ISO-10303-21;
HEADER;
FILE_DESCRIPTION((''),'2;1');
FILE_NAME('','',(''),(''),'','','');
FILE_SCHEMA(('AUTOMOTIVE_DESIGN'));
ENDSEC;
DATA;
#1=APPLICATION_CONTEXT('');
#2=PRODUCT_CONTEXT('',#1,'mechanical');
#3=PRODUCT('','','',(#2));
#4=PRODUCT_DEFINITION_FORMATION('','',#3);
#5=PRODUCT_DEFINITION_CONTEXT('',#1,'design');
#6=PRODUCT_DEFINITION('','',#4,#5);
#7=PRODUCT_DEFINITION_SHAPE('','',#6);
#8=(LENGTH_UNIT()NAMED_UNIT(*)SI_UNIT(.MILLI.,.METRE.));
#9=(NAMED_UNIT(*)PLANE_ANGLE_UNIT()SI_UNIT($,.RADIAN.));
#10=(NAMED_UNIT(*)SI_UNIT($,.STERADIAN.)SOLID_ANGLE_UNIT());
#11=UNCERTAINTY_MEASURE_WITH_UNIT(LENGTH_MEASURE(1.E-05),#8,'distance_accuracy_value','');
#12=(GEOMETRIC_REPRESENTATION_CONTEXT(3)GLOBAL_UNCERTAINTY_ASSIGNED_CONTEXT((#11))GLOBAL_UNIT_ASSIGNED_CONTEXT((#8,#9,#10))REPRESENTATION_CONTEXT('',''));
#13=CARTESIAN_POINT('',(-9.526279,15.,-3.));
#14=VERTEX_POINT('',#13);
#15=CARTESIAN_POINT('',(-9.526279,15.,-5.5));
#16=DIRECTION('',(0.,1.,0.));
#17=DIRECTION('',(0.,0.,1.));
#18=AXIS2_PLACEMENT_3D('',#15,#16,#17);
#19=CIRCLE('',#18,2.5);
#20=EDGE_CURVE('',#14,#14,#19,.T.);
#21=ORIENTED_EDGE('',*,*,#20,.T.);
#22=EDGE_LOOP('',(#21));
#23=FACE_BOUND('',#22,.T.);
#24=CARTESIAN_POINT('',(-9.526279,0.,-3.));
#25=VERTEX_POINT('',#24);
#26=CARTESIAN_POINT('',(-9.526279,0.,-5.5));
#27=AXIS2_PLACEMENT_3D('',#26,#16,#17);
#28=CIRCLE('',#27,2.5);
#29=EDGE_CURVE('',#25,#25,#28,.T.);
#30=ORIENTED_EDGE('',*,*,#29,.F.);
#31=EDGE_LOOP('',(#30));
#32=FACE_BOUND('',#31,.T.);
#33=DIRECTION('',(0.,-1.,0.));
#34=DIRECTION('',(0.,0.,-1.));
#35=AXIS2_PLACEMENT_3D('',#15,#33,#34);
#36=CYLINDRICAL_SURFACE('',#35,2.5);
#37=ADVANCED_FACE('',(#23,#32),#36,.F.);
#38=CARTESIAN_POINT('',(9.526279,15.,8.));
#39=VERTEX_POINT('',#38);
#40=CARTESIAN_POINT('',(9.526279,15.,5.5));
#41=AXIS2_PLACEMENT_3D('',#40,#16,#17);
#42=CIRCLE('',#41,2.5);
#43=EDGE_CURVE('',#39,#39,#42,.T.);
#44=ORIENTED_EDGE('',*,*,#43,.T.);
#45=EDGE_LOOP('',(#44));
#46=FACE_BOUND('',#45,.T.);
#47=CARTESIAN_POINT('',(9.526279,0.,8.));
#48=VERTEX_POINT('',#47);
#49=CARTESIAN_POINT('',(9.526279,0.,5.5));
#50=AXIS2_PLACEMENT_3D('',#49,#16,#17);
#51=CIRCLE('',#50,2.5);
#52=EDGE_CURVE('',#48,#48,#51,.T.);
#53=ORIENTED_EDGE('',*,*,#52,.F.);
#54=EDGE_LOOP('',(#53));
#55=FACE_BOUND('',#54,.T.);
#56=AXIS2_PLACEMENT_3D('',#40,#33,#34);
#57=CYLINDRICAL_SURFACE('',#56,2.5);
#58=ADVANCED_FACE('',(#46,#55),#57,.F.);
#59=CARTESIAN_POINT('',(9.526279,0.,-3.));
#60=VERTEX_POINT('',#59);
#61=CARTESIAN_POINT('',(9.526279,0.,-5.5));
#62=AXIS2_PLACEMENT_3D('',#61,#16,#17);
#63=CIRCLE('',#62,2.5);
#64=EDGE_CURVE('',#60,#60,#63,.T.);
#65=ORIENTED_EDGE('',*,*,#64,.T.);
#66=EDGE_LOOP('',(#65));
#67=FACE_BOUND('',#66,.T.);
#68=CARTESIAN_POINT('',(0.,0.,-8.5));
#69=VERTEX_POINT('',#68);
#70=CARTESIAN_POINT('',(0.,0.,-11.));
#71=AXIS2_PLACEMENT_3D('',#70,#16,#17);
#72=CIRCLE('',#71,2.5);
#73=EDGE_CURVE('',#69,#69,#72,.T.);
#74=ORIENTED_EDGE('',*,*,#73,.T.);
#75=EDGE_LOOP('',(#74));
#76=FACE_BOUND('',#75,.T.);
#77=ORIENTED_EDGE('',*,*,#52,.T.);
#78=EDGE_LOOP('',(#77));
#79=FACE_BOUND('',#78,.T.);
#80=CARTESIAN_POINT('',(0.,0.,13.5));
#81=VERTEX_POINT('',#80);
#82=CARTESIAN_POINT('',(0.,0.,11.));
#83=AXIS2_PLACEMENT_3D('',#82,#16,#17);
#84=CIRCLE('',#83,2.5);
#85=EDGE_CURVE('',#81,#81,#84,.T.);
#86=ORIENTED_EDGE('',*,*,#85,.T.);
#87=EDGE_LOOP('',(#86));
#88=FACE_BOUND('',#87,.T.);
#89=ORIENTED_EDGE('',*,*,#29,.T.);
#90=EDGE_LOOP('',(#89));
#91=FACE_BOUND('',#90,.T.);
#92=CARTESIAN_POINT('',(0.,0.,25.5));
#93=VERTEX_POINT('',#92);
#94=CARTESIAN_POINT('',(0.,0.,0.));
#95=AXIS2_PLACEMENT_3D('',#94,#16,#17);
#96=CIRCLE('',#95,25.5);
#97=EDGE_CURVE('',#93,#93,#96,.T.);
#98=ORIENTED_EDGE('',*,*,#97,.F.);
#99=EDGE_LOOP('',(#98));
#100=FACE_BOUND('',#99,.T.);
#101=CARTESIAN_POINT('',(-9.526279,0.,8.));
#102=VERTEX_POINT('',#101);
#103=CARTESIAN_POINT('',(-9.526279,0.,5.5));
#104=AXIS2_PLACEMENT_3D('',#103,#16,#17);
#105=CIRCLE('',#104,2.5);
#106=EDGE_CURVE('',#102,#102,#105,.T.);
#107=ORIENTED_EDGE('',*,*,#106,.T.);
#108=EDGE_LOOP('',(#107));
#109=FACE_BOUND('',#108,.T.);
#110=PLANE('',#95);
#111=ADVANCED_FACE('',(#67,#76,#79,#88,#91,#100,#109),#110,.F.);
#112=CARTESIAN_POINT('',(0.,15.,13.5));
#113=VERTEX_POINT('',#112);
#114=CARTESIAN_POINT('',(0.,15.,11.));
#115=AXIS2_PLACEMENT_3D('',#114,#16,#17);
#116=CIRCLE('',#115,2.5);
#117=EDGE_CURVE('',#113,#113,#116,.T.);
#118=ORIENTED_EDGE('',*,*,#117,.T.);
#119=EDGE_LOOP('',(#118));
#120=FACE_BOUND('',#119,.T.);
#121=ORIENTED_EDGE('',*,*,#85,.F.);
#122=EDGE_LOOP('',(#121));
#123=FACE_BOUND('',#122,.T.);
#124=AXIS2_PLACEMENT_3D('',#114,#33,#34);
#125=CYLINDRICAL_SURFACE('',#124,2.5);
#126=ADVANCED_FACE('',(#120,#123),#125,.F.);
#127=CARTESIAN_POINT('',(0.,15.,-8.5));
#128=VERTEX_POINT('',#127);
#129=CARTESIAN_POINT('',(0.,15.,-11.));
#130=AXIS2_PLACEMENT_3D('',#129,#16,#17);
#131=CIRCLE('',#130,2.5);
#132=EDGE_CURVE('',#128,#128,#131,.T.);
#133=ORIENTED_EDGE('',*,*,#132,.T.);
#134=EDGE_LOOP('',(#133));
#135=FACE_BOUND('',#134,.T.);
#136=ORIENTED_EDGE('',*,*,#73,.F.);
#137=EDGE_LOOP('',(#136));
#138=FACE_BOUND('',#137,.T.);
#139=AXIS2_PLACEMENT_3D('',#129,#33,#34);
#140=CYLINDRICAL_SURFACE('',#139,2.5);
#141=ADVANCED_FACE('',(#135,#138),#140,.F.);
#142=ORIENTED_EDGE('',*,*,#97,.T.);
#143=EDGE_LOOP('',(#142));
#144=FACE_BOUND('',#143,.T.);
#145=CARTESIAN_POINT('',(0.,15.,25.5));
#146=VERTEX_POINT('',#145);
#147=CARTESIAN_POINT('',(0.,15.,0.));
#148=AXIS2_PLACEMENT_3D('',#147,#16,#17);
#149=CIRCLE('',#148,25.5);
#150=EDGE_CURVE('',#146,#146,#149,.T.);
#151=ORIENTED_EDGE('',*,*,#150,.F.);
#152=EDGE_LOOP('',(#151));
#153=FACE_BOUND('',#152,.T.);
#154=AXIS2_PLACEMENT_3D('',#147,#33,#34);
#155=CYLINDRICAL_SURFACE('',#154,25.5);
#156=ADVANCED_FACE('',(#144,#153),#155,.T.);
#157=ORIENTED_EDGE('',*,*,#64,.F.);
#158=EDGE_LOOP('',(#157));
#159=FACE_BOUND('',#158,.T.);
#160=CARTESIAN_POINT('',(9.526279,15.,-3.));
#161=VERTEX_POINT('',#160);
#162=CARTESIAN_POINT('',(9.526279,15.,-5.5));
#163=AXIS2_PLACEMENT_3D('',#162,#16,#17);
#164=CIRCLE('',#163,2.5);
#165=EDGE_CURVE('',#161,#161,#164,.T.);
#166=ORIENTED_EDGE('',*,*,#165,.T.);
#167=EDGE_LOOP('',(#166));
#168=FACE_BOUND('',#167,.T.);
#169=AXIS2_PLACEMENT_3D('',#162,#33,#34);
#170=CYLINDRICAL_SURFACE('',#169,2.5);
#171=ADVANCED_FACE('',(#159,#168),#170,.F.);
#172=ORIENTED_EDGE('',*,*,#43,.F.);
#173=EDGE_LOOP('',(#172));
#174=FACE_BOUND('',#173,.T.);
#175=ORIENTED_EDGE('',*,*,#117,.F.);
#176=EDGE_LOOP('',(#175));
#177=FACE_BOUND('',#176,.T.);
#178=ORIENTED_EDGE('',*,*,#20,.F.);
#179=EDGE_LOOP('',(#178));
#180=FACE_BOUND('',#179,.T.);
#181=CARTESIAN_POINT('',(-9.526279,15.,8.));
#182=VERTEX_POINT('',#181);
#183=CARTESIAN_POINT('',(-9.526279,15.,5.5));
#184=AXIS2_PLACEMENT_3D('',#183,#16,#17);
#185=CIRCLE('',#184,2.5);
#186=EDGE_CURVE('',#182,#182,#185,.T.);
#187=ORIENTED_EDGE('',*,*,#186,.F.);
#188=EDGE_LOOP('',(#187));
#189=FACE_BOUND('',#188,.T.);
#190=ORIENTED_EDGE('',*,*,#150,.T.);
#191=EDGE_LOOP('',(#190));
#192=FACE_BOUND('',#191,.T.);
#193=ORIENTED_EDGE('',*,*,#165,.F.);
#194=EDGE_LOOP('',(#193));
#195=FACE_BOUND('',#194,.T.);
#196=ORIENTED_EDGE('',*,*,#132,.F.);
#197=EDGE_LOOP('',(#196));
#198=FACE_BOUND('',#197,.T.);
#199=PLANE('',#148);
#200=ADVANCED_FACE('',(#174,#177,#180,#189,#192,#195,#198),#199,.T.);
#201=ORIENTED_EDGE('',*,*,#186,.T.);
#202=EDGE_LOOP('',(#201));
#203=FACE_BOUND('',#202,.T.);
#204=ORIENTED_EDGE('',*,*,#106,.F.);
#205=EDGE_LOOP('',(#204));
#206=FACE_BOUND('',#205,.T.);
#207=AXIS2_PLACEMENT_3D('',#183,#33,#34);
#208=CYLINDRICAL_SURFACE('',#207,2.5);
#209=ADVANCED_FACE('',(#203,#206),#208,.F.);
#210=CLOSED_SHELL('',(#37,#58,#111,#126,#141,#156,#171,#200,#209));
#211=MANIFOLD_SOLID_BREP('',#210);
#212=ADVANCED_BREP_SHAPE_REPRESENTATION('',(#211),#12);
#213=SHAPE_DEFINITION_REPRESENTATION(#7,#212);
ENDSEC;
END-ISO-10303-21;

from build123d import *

# Parameters (mm, degrees)
SKETCH_1_R      = 25.5
SKETCH_1_R_2    = 2.5
EXTRUDE_1_DEPTH = 15


with BuildPart() as part:
    # 草图1 → 凸台-拉伸1 (new body)
    with BuildSketch(Plane(origin=(0, 0, 0), x_dir=(1, 0, 0), z_dir=(0, 1, 0))):
        with Locations(Location((0, 0, 0), (0, 0, 270))):
            Circle(SKETCH_1_R)
        with Locations(Location((0, 11, 0), (0, 0, 270))):
            Circle(SKETCH_1_R_2, mode=Mode.SUBTRACT)
        with Locations(Location((9.526279442, 5.5, 0), (0, 0, 270))):
            Circle(SKETCH_1_R_2, mode=Mode.SUBTRACT)
        with Locations(Location((9.526279442, -5.5, 0), (0, 0, 270))):
            Circle(SKETCH_1_R_2, mode=Mode.SUBTRACT)
        with Locations(Location((0, -11, 0), (0, 0, 270))):
            Circle(SKETCH_1_R_2, mode=Mode.SUBTRACT)
        with Locations(Location((-9.526279442, -5.5, 0), (0, 0, 270))):
            Circle(SKETCH_1_R_2, mode=Mode.SUBTRACT)
        with Locations(Location((-9.526279442, 5.5, 0), (0, 0, 270))):
            Circle(SKETCH_1_R_2, mode=Mode.SUBTRACT)
    extrude(amount=EXTRUDE_1_DEPTH)


solid = part.part
